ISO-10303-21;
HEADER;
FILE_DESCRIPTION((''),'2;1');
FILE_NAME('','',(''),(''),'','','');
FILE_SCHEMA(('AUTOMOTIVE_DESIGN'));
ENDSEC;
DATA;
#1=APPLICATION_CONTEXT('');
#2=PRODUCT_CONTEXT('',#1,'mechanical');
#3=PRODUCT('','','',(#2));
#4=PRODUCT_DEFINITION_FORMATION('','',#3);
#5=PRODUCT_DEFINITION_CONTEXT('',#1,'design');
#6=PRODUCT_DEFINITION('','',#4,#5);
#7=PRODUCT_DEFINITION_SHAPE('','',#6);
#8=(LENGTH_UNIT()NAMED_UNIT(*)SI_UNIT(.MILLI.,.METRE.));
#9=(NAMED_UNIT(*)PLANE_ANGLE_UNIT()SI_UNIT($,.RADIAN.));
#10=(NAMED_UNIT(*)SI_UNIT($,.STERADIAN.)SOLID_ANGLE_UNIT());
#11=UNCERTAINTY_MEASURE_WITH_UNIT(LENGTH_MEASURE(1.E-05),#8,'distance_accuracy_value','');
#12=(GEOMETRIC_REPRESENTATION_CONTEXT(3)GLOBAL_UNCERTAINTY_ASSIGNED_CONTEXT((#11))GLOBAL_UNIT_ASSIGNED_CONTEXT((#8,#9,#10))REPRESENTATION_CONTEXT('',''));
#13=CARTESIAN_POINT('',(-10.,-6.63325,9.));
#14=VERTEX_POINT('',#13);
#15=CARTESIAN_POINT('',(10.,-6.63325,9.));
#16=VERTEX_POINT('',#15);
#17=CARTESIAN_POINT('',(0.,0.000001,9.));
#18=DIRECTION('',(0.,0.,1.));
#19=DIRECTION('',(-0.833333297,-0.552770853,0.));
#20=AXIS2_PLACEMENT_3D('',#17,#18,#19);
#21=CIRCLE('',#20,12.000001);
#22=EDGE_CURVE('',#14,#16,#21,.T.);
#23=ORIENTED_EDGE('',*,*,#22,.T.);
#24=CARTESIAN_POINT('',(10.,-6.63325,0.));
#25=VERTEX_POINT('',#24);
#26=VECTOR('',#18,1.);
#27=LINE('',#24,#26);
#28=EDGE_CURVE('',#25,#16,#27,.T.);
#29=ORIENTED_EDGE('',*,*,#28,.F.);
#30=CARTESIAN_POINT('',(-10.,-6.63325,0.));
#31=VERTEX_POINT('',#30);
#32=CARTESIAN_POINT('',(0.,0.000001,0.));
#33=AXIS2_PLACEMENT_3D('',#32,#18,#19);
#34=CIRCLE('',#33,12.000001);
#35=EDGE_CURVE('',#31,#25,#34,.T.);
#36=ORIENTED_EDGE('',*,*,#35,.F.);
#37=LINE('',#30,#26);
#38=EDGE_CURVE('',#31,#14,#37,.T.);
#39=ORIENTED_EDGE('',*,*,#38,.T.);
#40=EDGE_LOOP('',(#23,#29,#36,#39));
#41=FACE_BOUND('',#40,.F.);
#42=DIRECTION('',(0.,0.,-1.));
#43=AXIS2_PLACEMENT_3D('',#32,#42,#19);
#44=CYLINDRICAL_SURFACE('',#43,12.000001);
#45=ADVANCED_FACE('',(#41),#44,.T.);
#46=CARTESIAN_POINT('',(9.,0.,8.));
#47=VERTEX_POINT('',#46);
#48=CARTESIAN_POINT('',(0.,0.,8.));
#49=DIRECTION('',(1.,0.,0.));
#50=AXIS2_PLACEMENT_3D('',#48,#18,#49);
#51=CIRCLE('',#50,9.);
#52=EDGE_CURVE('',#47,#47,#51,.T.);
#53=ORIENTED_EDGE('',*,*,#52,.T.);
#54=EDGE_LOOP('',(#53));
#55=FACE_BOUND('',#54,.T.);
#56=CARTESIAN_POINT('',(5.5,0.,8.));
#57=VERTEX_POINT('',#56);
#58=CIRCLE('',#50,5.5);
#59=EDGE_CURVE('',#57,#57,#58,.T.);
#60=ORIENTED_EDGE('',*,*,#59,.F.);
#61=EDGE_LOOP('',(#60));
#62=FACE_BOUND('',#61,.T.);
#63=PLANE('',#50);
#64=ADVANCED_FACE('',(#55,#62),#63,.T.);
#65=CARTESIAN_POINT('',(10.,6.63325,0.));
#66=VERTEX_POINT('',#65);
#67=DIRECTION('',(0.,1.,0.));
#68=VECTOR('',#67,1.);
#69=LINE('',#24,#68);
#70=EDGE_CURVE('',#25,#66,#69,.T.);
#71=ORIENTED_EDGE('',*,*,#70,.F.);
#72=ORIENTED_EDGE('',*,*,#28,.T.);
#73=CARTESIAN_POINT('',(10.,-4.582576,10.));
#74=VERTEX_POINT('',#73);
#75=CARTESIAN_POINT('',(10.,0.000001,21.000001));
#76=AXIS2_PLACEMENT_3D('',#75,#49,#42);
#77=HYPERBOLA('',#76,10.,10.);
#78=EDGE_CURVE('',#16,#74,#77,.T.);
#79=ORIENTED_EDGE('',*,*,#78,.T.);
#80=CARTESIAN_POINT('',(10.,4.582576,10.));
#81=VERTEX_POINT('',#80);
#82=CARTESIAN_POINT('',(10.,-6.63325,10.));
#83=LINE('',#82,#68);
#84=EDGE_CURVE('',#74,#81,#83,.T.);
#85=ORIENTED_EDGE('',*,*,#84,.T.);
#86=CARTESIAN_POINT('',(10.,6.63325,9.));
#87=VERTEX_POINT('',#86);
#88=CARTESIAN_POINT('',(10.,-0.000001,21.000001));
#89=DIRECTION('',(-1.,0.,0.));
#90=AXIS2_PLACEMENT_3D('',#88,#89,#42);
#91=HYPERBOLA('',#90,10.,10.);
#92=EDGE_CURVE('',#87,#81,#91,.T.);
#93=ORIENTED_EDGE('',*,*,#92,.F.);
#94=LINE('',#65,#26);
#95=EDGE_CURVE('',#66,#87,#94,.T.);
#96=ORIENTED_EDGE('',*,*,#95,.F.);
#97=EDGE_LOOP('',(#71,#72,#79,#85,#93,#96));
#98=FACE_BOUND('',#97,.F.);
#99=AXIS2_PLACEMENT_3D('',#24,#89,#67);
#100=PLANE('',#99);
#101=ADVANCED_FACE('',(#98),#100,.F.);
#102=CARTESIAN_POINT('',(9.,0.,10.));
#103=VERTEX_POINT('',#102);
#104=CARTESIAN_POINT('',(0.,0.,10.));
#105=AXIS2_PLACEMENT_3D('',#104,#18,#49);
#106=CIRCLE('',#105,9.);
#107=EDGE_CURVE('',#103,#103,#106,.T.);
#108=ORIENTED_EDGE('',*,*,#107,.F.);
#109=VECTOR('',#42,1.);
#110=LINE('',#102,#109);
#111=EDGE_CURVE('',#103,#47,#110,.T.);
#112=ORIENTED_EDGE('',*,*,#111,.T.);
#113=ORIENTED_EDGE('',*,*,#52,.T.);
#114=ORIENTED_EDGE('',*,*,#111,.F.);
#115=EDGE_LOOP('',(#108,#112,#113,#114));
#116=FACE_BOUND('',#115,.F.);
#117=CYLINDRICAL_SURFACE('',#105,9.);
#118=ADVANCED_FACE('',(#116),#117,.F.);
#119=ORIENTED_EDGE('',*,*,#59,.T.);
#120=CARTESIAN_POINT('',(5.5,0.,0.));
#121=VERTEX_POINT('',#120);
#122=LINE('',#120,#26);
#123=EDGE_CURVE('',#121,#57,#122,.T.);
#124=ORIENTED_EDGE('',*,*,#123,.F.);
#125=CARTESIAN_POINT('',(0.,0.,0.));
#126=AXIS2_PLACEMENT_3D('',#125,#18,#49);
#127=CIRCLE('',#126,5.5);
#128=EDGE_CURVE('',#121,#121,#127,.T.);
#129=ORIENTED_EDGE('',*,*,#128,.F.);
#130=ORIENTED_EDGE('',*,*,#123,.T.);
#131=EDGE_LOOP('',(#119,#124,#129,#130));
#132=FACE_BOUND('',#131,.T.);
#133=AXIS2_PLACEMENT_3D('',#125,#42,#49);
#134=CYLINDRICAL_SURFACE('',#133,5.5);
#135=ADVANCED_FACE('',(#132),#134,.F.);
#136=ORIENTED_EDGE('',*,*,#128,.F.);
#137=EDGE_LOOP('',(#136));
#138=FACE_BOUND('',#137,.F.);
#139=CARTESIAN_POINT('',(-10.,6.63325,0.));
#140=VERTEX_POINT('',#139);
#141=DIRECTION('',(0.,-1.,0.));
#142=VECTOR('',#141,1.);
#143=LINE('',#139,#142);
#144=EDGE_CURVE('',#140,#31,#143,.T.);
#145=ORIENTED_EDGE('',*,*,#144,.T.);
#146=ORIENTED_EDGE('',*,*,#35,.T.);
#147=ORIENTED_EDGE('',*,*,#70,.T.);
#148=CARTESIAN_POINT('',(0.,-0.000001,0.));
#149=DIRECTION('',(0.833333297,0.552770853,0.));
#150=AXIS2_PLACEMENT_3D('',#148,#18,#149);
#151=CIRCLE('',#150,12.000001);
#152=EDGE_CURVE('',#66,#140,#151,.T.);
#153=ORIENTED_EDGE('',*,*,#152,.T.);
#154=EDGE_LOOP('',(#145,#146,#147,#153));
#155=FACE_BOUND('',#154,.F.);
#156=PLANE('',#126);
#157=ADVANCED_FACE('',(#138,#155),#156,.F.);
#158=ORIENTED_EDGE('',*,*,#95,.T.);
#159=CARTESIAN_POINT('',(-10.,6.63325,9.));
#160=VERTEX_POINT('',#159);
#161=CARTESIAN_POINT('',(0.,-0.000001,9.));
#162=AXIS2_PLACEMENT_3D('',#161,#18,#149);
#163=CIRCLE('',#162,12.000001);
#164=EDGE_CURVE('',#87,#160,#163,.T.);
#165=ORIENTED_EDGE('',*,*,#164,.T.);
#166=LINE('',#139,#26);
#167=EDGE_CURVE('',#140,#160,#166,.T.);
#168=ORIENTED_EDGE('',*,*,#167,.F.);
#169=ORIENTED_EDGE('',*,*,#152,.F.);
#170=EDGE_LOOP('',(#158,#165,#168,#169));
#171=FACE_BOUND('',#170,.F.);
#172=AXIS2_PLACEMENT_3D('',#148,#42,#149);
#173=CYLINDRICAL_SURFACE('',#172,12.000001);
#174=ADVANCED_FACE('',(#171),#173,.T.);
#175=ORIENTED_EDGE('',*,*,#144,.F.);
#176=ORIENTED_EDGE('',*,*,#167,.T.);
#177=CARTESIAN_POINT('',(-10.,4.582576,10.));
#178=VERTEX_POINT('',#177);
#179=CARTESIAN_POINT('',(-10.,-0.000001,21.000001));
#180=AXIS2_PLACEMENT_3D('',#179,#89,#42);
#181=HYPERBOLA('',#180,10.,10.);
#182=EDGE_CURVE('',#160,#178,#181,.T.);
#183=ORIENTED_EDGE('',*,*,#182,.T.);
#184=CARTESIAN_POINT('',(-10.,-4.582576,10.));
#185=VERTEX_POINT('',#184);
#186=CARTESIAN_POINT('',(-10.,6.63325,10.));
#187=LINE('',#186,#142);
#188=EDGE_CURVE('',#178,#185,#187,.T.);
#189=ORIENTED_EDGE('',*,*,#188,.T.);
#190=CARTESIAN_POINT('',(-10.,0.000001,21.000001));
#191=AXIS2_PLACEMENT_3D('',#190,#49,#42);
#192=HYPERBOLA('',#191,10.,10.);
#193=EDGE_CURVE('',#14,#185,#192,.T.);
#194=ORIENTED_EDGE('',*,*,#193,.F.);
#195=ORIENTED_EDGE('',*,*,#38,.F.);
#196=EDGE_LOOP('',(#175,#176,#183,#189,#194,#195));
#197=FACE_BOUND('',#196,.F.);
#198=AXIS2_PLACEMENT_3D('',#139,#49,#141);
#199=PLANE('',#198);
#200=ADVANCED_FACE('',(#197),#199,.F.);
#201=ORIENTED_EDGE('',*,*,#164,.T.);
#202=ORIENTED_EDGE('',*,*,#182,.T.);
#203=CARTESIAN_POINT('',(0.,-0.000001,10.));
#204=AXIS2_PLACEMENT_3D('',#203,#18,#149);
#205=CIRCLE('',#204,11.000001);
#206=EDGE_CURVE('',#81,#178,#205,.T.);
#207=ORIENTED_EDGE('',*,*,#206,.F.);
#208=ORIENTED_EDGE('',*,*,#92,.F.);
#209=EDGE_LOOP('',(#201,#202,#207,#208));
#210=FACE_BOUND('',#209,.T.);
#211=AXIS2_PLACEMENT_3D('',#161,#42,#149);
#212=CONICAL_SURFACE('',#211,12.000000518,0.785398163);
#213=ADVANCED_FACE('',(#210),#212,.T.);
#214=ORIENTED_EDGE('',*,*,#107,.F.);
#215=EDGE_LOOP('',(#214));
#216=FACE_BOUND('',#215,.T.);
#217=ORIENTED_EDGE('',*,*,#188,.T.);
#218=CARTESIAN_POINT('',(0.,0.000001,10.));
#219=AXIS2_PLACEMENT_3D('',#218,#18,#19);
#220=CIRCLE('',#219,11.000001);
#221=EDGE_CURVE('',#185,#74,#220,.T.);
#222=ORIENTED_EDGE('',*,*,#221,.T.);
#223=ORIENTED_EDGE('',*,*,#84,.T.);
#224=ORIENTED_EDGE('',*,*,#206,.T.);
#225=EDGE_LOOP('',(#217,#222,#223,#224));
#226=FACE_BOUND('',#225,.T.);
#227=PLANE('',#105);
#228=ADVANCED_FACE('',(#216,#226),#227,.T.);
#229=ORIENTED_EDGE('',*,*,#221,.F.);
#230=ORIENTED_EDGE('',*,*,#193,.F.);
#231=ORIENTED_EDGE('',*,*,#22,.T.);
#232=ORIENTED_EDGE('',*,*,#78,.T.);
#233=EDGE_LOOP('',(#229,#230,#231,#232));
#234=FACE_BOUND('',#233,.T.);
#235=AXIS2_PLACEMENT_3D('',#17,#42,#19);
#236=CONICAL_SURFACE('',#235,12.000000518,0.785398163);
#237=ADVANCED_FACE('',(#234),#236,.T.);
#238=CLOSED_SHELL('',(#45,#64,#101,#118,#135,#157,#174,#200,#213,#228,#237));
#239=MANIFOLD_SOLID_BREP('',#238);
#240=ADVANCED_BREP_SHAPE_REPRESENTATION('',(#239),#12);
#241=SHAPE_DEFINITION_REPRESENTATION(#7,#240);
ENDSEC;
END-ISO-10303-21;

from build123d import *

# Parameters (mm, degrees)
F0_R     = 5.5
F1_DEPTH = 10
F2_R     = 9
F2_R_2   = 5.5
F3_DEPTH = 2
F4_SIZE  = 1


with BuildPart() as f1:
    # F0 (on Top) → F1 (new body)
    with BuildSketch(Plane.XY):
        with BuildLine():
            Line((10, -6.63325), (10, 6.63325))
            ThreePointArc((10, 6.63325), (0, 12), (-10, 6.63325))
            Line((-10, 6.63325), (-10, -6.63325))
            ThreePointArc((-10, -6.63325), (0, -12), (10, -6.63325))
        make_face()
        Circle(F0_R, mode=Mode.SUBTRACT)
    extrude(amount=F1_DEPTH)

    # F2 (on face) → F3 (cut)
    with BuildSketch(Plane.XY.offset(10)):
        Circle(F2_R)
        Circle(F2_R_2, mode=Mode.SUBTRACT)
    extrude(amount=-F3_DEPTH, mode=Mode.SUBTRACT)

    # F4
    f4_edges = [f1.edges().sort_by_distance(p)[0] for p in [
        (0, -12, 10),
        (0, 12, 10),
    ]]
    chamfer(f4_edges, length=F4_SIZE)


solid = f1.part
